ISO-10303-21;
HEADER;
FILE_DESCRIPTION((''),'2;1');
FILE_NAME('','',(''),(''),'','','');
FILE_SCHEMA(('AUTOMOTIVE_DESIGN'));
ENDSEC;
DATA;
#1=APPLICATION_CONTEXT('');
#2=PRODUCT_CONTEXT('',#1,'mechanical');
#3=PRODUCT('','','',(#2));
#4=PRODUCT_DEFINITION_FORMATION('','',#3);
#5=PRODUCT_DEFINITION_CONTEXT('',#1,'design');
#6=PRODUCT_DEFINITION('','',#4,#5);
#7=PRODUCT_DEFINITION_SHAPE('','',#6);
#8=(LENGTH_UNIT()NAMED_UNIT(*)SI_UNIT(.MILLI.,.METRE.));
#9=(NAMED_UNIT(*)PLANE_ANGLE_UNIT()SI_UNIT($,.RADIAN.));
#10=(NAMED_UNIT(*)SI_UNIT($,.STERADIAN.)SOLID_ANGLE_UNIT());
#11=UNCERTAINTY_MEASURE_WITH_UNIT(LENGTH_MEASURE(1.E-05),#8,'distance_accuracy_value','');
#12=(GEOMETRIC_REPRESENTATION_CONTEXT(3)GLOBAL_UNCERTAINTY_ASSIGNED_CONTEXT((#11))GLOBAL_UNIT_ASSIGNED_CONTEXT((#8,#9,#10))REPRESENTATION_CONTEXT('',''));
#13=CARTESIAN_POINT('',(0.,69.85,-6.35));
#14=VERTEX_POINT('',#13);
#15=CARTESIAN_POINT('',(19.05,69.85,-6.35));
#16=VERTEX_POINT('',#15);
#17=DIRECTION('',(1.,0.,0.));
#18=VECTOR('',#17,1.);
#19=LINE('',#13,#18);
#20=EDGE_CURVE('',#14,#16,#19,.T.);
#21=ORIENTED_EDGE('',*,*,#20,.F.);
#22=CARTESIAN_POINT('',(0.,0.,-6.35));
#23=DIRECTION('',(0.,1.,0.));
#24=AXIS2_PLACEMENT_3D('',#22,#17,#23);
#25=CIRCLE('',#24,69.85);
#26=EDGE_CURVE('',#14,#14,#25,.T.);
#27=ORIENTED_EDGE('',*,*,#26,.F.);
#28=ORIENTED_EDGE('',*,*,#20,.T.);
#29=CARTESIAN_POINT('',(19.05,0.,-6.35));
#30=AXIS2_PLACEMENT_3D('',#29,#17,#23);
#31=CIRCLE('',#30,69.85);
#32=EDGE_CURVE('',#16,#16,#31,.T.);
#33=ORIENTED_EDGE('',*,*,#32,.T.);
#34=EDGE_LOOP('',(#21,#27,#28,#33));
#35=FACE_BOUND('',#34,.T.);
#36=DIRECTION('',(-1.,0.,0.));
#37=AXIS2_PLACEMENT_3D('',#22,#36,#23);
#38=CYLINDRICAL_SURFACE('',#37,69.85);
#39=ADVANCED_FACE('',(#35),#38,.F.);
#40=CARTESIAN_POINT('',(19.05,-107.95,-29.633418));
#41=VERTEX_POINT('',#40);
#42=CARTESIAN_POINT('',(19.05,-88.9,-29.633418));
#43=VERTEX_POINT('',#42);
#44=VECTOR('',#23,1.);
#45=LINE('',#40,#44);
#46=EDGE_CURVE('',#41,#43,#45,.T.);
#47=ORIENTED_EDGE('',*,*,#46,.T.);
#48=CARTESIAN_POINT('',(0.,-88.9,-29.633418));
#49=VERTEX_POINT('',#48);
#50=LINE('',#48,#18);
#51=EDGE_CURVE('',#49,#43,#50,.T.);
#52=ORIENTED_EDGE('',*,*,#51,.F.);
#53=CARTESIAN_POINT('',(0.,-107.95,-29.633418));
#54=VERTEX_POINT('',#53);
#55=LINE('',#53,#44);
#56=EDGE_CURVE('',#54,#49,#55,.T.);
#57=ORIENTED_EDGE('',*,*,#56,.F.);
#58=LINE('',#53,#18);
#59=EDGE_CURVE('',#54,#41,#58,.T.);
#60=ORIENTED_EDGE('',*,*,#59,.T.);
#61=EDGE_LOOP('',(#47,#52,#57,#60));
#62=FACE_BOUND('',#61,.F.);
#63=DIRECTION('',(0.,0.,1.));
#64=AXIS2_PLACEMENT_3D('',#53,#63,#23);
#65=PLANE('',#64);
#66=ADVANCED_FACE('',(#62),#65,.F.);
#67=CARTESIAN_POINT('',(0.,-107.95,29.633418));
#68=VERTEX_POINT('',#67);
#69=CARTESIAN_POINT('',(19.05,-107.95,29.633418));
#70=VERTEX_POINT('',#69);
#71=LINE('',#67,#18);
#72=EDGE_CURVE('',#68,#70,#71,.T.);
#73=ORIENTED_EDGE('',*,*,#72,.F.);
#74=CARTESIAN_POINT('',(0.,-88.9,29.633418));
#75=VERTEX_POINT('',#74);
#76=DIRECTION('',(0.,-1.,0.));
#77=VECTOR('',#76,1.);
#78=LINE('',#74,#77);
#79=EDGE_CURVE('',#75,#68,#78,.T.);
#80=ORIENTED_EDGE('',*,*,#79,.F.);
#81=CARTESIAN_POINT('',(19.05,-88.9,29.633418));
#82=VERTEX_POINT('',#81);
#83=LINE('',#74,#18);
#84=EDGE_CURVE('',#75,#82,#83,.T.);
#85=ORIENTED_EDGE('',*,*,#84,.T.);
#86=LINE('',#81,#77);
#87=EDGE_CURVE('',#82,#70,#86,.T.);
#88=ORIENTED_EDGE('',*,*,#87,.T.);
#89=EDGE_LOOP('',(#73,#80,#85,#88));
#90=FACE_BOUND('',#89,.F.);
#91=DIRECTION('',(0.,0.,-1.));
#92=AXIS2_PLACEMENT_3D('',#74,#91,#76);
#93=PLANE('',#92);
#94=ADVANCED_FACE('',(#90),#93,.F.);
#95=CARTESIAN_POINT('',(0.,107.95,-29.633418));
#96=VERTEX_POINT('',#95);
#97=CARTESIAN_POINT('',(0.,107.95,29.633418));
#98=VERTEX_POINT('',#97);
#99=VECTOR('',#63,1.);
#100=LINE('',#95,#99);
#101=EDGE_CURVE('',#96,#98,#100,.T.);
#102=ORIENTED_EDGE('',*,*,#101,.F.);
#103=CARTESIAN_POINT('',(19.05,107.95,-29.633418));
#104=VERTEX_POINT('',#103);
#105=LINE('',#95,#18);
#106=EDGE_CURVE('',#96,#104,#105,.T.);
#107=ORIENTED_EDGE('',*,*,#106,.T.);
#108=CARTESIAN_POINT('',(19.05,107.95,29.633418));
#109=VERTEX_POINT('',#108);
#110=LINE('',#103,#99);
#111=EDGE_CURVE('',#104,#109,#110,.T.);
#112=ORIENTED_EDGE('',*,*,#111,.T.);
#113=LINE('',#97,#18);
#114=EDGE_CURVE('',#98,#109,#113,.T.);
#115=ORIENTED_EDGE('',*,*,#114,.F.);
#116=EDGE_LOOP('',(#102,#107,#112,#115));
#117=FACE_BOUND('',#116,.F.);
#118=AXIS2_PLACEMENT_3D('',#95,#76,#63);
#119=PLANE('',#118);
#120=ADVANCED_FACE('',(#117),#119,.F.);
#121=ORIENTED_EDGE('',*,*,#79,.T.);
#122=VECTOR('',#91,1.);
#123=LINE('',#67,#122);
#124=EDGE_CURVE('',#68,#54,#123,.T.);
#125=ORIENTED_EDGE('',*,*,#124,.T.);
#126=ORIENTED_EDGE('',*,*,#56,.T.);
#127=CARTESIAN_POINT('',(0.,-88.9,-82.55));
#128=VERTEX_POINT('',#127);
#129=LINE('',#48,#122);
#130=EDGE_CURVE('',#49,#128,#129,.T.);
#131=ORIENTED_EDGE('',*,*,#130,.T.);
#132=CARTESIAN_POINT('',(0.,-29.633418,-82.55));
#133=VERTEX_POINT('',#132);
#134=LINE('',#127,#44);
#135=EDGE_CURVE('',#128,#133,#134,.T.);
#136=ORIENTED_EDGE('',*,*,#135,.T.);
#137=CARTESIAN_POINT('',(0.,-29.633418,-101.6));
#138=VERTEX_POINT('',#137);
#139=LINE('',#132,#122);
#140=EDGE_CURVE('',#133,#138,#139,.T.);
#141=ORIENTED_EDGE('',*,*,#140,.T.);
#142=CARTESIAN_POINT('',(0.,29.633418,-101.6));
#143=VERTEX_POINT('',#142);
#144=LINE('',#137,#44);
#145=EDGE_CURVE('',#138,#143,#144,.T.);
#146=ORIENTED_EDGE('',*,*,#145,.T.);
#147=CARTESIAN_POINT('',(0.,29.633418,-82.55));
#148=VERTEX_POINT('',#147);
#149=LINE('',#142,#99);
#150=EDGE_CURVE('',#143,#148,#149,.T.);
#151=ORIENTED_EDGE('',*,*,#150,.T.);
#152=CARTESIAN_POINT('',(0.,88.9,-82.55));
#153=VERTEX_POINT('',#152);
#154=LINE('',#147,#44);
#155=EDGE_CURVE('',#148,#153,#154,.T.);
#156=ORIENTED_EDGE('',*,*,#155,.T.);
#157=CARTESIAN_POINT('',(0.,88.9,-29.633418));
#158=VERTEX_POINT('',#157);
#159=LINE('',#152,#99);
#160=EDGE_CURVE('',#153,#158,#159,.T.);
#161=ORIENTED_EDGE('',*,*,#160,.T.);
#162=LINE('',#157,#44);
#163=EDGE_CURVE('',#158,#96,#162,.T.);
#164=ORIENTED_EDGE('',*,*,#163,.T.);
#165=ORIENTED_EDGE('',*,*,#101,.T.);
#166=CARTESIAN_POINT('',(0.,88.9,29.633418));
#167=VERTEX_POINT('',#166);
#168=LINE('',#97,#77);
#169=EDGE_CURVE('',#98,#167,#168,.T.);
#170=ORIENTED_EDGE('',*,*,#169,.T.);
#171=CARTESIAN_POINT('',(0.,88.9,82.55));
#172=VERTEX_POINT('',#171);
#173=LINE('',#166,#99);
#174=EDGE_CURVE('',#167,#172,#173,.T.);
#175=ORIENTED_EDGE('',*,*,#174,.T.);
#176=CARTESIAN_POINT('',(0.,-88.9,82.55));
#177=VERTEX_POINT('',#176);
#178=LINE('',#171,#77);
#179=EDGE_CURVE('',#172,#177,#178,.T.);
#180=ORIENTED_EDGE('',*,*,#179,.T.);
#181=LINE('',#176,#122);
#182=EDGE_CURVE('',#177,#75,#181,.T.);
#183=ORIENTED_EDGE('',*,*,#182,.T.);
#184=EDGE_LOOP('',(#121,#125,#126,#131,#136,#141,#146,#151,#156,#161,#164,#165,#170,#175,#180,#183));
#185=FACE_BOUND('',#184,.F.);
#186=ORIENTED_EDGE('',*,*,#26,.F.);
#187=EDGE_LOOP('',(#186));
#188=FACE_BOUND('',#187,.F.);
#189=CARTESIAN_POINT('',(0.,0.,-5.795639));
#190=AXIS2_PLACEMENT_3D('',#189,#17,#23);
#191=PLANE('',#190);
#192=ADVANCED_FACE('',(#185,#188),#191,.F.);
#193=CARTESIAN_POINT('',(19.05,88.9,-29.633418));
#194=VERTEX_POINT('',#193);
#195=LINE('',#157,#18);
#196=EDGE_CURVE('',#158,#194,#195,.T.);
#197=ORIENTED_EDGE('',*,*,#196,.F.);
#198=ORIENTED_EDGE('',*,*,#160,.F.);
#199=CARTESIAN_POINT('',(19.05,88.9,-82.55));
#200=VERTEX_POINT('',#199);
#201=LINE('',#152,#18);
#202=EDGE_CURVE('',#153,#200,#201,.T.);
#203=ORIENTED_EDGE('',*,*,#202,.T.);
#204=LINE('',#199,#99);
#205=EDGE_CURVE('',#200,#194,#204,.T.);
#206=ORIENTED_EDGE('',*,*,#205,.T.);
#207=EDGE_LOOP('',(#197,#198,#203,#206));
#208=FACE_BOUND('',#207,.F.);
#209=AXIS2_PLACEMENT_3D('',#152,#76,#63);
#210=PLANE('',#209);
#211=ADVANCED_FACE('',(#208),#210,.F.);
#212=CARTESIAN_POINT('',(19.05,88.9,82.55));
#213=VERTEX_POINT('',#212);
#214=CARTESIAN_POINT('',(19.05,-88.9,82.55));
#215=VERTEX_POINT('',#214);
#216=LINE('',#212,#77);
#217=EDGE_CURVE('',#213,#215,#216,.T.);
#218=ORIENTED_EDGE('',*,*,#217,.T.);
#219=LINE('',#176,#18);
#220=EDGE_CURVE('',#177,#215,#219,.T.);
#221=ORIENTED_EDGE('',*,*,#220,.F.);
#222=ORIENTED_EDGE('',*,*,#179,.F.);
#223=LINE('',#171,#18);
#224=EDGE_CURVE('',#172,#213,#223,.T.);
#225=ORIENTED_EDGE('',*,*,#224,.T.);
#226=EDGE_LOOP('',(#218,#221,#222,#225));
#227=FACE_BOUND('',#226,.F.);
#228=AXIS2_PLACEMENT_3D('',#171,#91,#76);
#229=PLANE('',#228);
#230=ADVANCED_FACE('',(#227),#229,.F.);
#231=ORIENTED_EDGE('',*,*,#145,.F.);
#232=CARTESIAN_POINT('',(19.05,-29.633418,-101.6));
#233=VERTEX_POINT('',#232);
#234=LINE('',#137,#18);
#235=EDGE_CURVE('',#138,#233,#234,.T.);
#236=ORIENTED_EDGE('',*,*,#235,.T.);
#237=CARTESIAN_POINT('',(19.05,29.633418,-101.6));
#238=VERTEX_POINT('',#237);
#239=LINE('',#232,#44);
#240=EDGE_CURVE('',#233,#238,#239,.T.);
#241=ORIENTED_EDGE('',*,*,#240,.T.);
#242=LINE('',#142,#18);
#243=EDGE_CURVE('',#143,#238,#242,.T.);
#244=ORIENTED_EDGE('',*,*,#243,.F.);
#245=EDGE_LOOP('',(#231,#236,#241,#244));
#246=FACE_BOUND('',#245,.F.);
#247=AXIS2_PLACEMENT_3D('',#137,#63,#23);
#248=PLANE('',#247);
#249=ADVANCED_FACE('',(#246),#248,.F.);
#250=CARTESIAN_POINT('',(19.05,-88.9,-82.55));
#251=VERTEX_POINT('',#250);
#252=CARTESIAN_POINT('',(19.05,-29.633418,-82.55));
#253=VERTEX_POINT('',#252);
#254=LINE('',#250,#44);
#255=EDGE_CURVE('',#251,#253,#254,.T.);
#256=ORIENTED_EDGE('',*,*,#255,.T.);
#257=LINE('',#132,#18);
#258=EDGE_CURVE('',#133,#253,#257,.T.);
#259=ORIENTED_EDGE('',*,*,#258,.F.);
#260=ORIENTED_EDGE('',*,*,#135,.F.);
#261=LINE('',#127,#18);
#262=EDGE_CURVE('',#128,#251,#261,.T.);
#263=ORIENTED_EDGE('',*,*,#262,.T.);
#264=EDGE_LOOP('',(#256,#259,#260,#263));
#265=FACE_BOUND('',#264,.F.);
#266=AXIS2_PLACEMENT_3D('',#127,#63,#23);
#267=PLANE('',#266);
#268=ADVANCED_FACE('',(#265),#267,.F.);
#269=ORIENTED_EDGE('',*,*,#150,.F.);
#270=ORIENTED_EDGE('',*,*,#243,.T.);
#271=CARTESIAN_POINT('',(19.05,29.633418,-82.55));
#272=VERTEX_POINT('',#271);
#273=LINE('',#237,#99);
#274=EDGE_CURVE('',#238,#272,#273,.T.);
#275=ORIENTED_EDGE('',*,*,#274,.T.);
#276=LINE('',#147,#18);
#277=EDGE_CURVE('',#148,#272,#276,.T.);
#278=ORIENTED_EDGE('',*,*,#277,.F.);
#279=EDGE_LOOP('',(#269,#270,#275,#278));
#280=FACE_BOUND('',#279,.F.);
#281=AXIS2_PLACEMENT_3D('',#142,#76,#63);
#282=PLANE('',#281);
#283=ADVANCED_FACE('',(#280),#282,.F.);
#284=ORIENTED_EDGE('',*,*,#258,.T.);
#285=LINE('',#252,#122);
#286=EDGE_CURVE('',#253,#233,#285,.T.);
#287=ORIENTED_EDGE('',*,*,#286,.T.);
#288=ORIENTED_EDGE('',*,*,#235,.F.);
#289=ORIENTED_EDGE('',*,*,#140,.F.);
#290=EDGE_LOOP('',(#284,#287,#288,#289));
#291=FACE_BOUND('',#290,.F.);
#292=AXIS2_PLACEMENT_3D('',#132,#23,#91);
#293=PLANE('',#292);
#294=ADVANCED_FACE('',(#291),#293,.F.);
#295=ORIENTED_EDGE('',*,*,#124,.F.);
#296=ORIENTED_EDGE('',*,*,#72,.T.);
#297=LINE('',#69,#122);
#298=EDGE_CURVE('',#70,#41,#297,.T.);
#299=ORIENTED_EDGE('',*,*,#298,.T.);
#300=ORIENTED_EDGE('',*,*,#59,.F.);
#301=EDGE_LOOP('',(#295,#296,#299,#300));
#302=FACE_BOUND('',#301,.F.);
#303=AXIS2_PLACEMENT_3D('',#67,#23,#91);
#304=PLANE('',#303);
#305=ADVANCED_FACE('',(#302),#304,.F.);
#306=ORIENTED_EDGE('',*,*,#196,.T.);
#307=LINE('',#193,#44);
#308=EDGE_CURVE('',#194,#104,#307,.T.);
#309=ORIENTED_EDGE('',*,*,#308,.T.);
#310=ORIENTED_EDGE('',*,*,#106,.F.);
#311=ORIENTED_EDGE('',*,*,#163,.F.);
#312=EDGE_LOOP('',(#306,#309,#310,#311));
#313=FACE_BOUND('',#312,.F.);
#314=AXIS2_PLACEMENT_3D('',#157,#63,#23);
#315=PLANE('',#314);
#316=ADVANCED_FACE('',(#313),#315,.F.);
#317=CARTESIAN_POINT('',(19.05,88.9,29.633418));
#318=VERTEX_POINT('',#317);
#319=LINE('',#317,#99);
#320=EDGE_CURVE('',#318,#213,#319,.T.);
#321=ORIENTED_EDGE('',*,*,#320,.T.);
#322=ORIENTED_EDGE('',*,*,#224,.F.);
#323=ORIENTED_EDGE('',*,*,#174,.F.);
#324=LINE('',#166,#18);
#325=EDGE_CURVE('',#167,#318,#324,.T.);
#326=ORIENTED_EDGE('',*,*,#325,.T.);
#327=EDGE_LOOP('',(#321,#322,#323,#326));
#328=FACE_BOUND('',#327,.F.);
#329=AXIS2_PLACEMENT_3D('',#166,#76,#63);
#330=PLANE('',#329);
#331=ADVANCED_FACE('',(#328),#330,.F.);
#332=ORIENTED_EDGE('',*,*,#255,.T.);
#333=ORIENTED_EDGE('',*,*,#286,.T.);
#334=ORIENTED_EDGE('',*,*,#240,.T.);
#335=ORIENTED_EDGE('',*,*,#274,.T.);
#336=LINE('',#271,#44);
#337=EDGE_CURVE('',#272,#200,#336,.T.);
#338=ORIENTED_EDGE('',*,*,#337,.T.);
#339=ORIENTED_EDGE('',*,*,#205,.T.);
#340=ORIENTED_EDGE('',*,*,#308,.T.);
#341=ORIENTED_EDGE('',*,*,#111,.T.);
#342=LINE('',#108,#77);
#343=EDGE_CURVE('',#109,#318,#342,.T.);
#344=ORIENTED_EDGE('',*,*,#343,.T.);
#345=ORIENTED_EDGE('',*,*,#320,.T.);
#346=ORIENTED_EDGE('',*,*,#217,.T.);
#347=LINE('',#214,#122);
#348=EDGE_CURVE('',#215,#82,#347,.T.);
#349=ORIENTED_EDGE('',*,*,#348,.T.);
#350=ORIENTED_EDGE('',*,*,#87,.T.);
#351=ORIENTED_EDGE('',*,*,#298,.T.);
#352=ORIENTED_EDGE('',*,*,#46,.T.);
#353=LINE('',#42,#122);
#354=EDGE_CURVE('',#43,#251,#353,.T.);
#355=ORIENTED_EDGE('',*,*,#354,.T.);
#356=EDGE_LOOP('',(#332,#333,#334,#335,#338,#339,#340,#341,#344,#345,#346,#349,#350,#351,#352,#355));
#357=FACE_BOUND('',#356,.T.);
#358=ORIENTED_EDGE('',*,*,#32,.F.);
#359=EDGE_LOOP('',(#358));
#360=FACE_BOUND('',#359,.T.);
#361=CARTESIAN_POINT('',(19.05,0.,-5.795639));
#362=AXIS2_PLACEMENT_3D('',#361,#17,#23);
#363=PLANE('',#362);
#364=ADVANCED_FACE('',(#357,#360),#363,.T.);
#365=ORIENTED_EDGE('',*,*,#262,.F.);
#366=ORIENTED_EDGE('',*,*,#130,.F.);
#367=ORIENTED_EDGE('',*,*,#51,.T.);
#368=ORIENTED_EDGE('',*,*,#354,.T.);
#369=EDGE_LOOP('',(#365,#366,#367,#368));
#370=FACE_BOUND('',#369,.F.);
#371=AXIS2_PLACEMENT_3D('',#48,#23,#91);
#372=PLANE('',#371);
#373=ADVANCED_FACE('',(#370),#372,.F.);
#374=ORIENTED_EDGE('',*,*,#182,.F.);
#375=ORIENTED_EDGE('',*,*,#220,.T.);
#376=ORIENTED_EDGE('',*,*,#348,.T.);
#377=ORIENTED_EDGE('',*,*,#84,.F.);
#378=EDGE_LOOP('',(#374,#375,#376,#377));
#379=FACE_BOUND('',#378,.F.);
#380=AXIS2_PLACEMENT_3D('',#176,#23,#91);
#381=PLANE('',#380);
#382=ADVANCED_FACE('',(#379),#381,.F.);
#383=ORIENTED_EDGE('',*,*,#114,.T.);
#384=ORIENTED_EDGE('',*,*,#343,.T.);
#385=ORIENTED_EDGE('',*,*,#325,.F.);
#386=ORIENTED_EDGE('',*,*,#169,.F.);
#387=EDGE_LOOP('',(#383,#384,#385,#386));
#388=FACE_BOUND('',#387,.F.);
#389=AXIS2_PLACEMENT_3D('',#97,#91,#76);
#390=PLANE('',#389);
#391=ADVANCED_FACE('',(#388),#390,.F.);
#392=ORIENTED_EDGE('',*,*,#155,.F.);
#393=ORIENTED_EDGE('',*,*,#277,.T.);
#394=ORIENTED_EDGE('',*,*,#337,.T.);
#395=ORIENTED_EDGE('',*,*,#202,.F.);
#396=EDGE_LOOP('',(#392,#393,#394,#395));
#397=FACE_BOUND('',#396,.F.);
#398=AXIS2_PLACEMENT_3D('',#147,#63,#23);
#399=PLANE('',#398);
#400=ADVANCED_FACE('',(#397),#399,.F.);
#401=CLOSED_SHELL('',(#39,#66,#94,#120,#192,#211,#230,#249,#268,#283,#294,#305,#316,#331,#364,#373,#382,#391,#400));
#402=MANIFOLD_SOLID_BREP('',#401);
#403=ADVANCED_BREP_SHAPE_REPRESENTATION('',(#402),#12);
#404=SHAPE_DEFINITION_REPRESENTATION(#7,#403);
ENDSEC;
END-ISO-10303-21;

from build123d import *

# Parameters (mm, degrees)
F0_R     = 69.85
F1_DEPTH = 19.05


with BuildPart() as f1:
    # F0 (on Right) → F1 (new body)
    with BuildSketch(Plane.YZ):
        Polygon((88.9, 82.55), (-88.9, 82.55), (-88.9, 29.633418), (-107.95, 29.633418), (-107.95, 0), (-107.95, -29.633418), (-88.9, -29.633418), (-88.9, -82.55), (-29.633418, -82.55), (-29.633418, -101.6), (0, -101.6), (29.633418, -101.6), (29.633418, -82.55), (88.9, -82.55), (88.9, -29.633418), (107.95, -29.633418), (107.95, 0), (107.95, 29.633418), (88.9, 29.633418), align=None)
        with Locations((0, -6.35)):
            Circle(F0_R, mode=Mode.SUBTRACT)
    extrude(amount=F1_DEPTH)


solid = f1.part
